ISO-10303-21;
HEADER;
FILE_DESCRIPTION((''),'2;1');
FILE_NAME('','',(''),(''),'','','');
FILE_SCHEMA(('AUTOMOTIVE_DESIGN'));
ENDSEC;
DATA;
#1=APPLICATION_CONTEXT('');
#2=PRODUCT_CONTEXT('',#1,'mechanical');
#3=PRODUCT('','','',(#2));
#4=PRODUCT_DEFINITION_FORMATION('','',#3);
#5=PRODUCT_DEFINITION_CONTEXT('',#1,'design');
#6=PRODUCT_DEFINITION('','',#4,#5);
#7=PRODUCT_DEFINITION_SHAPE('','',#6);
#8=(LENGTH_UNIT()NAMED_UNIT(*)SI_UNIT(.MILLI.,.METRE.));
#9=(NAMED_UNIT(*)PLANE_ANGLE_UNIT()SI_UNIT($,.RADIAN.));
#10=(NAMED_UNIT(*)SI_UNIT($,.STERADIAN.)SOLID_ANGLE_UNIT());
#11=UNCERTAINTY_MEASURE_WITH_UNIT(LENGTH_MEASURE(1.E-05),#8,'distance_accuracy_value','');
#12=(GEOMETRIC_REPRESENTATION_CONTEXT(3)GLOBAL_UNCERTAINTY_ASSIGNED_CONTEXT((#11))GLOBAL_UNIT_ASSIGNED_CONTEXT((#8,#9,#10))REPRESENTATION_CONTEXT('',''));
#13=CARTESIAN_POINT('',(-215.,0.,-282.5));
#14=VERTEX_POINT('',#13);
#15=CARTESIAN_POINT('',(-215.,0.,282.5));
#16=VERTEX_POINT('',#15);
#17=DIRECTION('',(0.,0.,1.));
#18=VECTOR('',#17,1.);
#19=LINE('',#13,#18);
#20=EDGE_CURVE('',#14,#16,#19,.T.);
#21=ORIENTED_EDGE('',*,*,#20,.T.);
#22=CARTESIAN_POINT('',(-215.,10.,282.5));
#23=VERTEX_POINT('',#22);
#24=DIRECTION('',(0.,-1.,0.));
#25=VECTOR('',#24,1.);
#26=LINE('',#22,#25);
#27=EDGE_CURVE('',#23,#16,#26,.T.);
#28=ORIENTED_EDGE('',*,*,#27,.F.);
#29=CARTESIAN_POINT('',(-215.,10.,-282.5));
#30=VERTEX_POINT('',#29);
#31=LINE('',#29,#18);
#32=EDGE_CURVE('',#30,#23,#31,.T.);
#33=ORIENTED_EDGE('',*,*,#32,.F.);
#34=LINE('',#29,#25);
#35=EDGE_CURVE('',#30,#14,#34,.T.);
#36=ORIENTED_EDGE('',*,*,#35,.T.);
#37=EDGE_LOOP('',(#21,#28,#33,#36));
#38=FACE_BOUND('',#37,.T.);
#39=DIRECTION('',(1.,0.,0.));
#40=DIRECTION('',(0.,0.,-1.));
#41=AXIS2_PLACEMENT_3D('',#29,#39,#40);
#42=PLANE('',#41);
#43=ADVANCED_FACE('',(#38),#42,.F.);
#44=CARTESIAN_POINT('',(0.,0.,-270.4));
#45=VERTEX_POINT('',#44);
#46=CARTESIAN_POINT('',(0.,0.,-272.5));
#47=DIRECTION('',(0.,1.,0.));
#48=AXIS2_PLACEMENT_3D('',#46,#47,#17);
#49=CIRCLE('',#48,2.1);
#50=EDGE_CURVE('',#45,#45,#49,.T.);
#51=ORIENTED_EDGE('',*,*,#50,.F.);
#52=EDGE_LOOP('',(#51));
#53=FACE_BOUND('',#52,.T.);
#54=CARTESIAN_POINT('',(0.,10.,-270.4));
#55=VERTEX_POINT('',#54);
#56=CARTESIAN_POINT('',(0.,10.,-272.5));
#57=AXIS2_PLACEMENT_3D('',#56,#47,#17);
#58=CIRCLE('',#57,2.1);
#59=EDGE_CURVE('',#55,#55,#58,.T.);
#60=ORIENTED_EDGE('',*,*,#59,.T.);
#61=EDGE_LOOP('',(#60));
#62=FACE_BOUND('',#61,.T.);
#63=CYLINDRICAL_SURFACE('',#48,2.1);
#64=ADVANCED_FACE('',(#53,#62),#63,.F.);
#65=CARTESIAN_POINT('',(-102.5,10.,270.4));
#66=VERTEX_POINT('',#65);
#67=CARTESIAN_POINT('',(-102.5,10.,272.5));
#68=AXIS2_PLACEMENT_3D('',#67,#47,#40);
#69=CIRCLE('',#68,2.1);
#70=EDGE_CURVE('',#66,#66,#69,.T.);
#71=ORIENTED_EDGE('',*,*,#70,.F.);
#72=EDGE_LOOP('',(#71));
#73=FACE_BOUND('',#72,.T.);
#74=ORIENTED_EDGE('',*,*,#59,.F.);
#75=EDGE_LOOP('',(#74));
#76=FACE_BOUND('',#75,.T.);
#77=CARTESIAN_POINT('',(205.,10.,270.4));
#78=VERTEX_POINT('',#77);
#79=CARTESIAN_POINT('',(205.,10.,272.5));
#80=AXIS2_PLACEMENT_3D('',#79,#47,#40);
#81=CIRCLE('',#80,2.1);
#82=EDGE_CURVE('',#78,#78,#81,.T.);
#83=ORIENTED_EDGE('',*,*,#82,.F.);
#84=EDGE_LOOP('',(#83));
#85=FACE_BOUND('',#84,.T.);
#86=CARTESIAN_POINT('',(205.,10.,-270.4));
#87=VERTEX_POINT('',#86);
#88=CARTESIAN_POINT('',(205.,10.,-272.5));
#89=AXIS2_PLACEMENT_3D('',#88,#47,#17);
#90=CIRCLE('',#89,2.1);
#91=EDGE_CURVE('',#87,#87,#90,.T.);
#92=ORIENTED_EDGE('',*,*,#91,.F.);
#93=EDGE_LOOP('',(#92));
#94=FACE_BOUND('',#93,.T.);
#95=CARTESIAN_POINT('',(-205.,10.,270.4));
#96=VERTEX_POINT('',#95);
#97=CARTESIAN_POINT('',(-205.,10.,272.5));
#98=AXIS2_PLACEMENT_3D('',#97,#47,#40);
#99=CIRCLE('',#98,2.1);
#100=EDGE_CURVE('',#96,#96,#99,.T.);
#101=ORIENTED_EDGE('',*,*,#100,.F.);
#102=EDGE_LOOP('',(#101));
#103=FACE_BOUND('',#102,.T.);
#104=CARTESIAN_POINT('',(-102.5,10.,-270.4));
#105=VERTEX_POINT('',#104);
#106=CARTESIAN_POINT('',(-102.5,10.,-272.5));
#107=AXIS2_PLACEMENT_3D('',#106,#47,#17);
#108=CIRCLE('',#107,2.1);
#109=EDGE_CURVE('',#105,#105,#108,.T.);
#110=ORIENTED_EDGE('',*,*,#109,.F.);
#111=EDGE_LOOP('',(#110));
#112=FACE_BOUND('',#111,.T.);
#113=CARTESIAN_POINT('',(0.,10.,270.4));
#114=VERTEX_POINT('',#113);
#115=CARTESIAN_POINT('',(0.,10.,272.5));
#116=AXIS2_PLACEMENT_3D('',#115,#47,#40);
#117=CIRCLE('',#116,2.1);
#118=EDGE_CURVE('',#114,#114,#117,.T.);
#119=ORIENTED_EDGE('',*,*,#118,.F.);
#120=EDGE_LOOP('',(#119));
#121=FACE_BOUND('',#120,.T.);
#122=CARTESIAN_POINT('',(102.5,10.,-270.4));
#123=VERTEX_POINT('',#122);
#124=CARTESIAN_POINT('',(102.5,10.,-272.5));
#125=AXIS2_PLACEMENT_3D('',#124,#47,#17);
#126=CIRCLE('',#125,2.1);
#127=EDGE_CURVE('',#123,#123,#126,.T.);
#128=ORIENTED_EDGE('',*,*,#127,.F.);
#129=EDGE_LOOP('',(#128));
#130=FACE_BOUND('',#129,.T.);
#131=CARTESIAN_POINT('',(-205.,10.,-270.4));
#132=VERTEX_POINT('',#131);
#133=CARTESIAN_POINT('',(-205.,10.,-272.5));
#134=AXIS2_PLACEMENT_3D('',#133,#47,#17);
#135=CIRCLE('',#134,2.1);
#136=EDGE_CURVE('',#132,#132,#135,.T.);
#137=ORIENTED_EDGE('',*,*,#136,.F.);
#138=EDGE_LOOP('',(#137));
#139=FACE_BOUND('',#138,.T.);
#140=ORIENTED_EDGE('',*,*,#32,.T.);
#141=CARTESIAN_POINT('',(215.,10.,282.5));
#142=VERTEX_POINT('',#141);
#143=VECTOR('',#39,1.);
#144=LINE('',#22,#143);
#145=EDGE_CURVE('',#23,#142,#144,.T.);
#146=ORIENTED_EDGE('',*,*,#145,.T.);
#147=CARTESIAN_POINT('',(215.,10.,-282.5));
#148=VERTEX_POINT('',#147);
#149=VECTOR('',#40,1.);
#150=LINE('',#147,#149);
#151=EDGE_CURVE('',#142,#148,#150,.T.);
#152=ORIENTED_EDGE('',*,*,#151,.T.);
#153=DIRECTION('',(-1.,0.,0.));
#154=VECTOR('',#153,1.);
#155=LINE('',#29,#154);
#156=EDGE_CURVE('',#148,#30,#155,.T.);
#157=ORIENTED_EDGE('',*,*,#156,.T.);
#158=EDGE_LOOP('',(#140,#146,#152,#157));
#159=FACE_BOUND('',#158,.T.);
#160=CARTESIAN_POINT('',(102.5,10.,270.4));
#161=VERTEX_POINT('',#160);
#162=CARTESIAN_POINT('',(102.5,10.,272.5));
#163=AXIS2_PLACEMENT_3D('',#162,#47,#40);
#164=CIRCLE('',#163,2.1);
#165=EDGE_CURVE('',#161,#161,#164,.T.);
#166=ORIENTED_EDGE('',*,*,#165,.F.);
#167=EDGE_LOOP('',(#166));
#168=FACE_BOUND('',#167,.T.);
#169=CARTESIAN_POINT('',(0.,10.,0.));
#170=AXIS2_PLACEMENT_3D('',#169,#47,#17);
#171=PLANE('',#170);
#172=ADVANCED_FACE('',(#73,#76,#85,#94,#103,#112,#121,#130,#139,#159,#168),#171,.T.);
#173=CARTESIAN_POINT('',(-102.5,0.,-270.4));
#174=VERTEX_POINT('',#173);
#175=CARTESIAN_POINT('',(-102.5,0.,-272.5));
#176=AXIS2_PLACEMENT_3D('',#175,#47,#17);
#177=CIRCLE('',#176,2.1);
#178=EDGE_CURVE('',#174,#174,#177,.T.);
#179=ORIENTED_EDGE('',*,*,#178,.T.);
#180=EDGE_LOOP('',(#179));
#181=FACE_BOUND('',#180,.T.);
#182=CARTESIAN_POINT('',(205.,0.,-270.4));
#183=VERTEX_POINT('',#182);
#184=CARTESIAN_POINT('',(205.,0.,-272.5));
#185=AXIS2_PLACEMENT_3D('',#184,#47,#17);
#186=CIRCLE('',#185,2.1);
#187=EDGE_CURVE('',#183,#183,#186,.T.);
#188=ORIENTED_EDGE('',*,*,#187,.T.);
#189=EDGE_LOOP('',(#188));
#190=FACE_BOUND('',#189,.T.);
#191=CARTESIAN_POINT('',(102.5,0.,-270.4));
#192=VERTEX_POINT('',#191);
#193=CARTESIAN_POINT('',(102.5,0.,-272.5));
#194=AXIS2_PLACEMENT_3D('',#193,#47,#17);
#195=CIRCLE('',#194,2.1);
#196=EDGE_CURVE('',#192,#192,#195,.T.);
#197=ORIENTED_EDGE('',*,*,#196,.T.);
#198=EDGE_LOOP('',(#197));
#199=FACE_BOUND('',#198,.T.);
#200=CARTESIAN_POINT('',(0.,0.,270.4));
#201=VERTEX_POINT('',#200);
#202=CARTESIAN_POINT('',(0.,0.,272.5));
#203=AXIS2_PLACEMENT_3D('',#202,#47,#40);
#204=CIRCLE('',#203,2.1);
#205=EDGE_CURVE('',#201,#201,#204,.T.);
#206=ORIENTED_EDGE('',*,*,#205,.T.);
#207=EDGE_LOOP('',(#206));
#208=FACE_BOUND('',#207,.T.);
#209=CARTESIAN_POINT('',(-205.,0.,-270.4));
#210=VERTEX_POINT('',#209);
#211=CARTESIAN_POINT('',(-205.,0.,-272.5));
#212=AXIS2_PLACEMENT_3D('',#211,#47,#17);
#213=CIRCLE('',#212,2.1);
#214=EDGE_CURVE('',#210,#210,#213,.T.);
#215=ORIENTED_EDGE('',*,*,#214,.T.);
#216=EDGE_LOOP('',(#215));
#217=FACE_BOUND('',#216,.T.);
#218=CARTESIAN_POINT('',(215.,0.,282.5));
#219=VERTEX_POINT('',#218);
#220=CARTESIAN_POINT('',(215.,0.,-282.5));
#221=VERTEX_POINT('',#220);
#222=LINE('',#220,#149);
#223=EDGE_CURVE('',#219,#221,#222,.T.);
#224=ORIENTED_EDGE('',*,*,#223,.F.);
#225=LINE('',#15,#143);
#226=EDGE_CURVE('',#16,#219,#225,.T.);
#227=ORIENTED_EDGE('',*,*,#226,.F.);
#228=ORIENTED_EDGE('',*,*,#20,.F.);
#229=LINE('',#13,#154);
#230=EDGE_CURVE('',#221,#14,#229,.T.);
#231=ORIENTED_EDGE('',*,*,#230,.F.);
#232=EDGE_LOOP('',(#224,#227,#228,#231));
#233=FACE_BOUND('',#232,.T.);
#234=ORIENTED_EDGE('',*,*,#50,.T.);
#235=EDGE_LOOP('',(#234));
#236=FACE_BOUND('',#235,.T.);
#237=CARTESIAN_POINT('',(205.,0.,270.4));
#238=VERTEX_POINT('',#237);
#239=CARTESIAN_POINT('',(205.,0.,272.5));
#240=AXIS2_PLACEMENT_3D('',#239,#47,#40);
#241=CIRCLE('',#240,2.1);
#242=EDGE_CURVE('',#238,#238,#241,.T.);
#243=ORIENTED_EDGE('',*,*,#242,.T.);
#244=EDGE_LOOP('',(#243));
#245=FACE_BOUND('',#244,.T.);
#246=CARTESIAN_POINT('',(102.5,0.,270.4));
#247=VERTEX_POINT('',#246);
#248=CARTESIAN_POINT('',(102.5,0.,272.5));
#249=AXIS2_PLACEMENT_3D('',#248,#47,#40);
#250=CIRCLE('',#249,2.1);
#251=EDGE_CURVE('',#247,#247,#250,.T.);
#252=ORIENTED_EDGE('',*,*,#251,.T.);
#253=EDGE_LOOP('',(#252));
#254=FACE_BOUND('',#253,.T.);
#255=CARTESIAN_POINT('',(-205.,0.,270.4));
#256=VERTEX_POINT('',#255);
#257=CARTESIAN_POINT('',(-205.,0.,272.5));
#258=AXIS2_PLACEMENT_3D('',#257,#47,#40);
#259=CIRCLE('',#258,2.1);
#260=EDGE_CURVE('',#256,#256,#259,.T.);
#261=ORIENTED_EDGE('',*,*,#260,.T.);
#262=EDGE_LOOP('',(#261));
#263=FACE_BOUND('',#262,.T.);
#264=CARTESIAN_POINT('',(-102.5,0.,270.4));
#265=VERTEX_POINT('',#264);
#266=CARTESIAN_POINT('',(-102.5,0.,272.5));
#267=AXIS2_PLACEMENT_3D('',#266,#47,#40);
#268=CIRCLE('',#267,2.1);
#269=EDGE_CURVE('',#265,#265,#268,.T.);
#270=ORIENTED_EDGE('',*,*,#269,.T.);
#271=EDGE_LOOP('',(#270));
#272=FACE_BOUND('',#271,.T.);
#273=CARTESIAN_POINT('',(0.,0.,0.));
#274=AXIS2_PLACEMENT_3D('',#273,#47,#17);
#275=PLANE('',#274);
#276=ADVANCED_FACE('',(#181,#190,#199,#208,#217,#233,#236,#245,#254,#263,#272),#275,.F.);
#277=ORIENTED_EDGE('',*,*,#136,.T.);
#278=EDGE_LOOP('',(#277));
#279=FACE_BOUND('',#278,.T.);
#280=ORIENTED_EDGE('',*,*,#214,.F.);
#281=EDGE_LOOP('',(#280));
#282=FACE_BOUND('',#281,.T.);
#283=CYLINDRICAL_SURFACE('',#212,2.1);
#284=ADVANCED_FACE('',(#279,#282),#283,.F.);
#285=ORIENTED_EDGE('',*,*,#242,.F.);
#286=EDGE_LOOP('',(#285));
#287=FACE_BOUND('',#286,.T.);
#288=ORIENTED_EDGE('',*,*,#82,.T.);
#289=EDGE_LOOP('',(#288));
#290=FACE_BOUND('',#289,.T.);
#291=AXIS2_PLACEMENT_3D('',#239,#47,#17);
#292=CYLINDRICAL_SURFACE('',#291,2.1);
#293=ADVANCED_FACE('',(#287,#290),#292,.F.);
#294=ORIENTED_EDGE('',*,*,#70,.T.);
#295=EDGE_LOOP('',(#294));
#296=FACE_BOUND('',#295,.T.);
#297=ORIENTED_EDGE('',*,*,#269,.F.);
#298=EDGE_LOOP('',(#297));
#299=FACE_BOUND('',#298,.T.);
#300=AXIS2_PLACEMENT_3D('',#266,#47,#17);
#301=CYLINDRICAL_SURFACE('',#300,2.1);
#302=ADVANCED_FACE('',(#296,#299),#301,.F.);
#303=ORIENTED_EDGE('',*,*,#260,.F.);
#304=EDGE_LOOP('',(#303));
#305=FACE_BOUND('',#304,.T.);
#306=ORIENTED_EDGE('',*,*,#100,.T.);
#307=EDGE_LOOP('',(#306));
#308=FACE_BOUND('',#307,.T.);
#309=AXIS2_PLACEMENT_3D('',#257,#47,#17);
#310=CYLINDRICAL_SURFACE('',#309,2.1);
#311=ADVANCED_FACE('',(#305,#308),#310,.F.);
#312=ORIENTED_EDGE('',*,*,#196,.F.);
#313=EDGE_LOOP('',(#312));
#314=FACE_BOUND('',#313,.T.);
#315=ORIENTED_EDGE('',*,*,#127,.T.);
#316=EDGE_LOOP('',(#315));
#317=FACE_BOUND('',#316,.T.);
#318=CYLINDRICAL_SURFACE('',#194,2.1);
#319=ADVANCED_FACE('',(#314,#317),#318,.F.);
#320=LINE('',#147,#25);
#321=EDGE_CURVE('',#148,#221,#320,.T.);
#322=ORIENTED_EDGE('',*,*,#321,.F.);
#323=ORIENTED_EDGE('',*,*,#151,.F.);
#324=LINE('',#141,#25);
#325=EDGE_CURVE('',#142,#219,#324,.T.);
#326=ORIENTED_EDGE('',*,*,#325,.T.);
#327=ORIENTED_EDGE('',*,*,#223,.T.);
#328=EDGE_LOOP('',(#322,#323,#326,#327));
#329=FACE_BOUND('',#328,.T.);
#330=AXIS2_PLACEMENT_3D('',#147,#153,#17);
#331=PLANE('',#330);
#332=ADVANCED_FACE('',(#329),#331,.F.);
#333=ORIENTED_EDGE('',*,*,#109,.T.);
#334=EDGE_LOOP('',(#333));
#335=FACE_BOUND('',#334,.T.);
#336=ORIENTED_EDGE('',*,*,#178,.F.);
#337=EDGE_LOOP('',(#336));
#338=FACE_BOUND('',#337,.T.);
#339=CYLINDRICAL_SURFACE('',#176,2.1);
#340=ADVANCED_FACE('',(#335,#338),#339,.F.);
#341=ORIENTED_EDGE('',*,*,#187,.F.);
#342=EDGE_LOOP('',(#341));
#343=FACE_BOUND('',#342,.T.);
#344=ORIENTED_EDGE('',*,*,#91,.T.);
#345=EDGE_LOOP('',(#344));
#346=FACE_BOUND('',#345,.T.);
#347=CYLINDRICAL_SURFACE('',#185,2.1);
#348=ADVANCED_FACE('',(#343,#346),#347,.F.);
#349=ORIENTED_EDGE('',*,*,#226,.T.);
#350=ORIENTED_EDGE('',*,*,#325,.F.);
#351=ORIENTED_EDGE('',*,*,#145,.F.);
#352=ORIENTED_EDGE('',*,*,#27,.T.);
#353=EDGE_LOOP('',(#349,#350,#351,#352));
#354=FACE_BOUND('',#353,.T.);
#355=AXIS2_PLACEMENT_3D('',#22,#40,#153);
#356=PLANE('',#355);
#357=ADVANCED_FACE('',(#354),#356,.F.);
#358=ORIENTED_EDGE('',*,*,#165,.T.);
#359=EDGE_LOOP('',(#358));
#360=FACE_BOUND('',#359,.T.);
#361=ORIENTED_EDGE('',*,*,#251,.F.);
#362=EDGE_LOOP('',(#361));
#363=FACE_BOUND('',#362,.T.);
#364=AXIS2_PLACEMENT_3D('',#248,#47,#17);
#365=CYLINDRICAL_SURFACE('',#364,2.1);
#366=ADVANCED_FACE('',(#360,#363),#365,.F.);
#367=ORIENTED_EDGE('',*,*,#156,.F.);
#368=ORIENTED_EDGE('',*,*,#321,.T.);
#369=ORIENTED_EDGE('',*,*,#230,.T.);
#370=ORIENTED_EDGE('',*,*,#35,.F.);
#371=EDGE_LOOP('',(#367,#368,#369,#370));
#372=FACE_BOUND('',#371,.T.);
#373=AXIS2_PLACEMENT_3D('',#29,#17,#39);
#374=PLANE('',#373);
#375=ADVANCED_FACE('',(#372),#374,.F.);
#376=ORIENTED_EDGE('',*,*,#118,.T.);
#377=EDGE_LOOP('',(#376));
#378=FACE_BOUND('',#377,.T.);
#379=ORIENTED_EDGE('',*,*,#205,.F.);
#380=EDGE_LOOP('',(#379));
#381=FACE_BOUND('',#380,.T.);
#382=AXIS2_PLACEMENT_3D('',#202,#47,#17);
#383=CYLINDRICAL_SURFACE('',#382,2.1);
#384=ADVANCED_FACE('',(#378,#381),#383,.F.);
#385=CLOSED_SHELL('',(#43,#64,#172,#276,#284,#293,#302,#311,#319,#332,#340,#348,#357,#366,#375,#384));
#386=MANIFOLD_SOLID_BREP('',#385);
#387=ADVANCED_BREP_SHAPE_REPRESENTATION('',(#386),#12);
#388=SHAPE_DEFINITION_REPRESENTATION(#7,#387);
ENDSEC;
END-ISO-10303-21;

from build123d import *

# Parameters (mm, degrees)
SKETCH1_W           = 430
SKETCH1_H           = 565
BOSS_EXTRUDE1_DEPTH = 10
SKETCH2_R           = 2.1
CUT_EXTRUDE1_DEPTH  = 10


with BuildPart() as part:
    # Sketch1 → Boss-Extrude1 (new body)
    with BuildSketch(Plane(origin=(0, 0, 0), x_dir=(1, 0, 0), z_dir=(0, 1, 0))):
        Rectangle(SKETCH1_W, SKETCH1_H)
    extrude(amount=BOSS_EXTRUDE1_DEPTH)

    # Sketch2 → Cut-Extrude1 (cut)
    with BuildSketch(Plane(origin=(0, 10, 0), x_dir=(1, 0, 0), z_dir=(0, 1, 0))):
        with Locations(Location((0, 272.5, 0), (0, 0, 270))):
            Circle(SKETCH2_R)
        with Locations(Location((102.5, 272.5, 0), (0, 0, 270))):
            Circle(SKETCH2_R)
        with Locations(Location((205, 272.5, 0), (0, 0, 270))):
            Circle(SKETCH2_R)
        with Locations(Location((-102.5, 272.5, 0), (0, 0, 270))):
            Circle(SKETCH2_R)
        with Locations(Location((-205, 272.5, 0), (0, 0, 270))):
            Circle(SKETCH2_R)
        with Locations(Location((205, -272.5, 0), (0, 0, 90))):
            Circle(SKETCH2_R)
        with Locations(Location((102.5, -272.5, 0), (0, 0, 90))):
            Circle(SKETCH2_R)
        with Locations(Location((0, -272.5, 0), (0, 0, 90))):
            Circle(SKETCH2_R)
        with Locations(Location((-102.5, -272.5, 0), (0, 0, 90))):
            Circle(SKETCH2_R)
        with Locations(Location((-205, -272.5, 0), (0, 0, 90))):
            Circle(SKETCH2_R)
    extrude(amount=-CUT_EXTRUDE1_DEPTH, mode=Mode.SUBTRACT)


solid = part.part
